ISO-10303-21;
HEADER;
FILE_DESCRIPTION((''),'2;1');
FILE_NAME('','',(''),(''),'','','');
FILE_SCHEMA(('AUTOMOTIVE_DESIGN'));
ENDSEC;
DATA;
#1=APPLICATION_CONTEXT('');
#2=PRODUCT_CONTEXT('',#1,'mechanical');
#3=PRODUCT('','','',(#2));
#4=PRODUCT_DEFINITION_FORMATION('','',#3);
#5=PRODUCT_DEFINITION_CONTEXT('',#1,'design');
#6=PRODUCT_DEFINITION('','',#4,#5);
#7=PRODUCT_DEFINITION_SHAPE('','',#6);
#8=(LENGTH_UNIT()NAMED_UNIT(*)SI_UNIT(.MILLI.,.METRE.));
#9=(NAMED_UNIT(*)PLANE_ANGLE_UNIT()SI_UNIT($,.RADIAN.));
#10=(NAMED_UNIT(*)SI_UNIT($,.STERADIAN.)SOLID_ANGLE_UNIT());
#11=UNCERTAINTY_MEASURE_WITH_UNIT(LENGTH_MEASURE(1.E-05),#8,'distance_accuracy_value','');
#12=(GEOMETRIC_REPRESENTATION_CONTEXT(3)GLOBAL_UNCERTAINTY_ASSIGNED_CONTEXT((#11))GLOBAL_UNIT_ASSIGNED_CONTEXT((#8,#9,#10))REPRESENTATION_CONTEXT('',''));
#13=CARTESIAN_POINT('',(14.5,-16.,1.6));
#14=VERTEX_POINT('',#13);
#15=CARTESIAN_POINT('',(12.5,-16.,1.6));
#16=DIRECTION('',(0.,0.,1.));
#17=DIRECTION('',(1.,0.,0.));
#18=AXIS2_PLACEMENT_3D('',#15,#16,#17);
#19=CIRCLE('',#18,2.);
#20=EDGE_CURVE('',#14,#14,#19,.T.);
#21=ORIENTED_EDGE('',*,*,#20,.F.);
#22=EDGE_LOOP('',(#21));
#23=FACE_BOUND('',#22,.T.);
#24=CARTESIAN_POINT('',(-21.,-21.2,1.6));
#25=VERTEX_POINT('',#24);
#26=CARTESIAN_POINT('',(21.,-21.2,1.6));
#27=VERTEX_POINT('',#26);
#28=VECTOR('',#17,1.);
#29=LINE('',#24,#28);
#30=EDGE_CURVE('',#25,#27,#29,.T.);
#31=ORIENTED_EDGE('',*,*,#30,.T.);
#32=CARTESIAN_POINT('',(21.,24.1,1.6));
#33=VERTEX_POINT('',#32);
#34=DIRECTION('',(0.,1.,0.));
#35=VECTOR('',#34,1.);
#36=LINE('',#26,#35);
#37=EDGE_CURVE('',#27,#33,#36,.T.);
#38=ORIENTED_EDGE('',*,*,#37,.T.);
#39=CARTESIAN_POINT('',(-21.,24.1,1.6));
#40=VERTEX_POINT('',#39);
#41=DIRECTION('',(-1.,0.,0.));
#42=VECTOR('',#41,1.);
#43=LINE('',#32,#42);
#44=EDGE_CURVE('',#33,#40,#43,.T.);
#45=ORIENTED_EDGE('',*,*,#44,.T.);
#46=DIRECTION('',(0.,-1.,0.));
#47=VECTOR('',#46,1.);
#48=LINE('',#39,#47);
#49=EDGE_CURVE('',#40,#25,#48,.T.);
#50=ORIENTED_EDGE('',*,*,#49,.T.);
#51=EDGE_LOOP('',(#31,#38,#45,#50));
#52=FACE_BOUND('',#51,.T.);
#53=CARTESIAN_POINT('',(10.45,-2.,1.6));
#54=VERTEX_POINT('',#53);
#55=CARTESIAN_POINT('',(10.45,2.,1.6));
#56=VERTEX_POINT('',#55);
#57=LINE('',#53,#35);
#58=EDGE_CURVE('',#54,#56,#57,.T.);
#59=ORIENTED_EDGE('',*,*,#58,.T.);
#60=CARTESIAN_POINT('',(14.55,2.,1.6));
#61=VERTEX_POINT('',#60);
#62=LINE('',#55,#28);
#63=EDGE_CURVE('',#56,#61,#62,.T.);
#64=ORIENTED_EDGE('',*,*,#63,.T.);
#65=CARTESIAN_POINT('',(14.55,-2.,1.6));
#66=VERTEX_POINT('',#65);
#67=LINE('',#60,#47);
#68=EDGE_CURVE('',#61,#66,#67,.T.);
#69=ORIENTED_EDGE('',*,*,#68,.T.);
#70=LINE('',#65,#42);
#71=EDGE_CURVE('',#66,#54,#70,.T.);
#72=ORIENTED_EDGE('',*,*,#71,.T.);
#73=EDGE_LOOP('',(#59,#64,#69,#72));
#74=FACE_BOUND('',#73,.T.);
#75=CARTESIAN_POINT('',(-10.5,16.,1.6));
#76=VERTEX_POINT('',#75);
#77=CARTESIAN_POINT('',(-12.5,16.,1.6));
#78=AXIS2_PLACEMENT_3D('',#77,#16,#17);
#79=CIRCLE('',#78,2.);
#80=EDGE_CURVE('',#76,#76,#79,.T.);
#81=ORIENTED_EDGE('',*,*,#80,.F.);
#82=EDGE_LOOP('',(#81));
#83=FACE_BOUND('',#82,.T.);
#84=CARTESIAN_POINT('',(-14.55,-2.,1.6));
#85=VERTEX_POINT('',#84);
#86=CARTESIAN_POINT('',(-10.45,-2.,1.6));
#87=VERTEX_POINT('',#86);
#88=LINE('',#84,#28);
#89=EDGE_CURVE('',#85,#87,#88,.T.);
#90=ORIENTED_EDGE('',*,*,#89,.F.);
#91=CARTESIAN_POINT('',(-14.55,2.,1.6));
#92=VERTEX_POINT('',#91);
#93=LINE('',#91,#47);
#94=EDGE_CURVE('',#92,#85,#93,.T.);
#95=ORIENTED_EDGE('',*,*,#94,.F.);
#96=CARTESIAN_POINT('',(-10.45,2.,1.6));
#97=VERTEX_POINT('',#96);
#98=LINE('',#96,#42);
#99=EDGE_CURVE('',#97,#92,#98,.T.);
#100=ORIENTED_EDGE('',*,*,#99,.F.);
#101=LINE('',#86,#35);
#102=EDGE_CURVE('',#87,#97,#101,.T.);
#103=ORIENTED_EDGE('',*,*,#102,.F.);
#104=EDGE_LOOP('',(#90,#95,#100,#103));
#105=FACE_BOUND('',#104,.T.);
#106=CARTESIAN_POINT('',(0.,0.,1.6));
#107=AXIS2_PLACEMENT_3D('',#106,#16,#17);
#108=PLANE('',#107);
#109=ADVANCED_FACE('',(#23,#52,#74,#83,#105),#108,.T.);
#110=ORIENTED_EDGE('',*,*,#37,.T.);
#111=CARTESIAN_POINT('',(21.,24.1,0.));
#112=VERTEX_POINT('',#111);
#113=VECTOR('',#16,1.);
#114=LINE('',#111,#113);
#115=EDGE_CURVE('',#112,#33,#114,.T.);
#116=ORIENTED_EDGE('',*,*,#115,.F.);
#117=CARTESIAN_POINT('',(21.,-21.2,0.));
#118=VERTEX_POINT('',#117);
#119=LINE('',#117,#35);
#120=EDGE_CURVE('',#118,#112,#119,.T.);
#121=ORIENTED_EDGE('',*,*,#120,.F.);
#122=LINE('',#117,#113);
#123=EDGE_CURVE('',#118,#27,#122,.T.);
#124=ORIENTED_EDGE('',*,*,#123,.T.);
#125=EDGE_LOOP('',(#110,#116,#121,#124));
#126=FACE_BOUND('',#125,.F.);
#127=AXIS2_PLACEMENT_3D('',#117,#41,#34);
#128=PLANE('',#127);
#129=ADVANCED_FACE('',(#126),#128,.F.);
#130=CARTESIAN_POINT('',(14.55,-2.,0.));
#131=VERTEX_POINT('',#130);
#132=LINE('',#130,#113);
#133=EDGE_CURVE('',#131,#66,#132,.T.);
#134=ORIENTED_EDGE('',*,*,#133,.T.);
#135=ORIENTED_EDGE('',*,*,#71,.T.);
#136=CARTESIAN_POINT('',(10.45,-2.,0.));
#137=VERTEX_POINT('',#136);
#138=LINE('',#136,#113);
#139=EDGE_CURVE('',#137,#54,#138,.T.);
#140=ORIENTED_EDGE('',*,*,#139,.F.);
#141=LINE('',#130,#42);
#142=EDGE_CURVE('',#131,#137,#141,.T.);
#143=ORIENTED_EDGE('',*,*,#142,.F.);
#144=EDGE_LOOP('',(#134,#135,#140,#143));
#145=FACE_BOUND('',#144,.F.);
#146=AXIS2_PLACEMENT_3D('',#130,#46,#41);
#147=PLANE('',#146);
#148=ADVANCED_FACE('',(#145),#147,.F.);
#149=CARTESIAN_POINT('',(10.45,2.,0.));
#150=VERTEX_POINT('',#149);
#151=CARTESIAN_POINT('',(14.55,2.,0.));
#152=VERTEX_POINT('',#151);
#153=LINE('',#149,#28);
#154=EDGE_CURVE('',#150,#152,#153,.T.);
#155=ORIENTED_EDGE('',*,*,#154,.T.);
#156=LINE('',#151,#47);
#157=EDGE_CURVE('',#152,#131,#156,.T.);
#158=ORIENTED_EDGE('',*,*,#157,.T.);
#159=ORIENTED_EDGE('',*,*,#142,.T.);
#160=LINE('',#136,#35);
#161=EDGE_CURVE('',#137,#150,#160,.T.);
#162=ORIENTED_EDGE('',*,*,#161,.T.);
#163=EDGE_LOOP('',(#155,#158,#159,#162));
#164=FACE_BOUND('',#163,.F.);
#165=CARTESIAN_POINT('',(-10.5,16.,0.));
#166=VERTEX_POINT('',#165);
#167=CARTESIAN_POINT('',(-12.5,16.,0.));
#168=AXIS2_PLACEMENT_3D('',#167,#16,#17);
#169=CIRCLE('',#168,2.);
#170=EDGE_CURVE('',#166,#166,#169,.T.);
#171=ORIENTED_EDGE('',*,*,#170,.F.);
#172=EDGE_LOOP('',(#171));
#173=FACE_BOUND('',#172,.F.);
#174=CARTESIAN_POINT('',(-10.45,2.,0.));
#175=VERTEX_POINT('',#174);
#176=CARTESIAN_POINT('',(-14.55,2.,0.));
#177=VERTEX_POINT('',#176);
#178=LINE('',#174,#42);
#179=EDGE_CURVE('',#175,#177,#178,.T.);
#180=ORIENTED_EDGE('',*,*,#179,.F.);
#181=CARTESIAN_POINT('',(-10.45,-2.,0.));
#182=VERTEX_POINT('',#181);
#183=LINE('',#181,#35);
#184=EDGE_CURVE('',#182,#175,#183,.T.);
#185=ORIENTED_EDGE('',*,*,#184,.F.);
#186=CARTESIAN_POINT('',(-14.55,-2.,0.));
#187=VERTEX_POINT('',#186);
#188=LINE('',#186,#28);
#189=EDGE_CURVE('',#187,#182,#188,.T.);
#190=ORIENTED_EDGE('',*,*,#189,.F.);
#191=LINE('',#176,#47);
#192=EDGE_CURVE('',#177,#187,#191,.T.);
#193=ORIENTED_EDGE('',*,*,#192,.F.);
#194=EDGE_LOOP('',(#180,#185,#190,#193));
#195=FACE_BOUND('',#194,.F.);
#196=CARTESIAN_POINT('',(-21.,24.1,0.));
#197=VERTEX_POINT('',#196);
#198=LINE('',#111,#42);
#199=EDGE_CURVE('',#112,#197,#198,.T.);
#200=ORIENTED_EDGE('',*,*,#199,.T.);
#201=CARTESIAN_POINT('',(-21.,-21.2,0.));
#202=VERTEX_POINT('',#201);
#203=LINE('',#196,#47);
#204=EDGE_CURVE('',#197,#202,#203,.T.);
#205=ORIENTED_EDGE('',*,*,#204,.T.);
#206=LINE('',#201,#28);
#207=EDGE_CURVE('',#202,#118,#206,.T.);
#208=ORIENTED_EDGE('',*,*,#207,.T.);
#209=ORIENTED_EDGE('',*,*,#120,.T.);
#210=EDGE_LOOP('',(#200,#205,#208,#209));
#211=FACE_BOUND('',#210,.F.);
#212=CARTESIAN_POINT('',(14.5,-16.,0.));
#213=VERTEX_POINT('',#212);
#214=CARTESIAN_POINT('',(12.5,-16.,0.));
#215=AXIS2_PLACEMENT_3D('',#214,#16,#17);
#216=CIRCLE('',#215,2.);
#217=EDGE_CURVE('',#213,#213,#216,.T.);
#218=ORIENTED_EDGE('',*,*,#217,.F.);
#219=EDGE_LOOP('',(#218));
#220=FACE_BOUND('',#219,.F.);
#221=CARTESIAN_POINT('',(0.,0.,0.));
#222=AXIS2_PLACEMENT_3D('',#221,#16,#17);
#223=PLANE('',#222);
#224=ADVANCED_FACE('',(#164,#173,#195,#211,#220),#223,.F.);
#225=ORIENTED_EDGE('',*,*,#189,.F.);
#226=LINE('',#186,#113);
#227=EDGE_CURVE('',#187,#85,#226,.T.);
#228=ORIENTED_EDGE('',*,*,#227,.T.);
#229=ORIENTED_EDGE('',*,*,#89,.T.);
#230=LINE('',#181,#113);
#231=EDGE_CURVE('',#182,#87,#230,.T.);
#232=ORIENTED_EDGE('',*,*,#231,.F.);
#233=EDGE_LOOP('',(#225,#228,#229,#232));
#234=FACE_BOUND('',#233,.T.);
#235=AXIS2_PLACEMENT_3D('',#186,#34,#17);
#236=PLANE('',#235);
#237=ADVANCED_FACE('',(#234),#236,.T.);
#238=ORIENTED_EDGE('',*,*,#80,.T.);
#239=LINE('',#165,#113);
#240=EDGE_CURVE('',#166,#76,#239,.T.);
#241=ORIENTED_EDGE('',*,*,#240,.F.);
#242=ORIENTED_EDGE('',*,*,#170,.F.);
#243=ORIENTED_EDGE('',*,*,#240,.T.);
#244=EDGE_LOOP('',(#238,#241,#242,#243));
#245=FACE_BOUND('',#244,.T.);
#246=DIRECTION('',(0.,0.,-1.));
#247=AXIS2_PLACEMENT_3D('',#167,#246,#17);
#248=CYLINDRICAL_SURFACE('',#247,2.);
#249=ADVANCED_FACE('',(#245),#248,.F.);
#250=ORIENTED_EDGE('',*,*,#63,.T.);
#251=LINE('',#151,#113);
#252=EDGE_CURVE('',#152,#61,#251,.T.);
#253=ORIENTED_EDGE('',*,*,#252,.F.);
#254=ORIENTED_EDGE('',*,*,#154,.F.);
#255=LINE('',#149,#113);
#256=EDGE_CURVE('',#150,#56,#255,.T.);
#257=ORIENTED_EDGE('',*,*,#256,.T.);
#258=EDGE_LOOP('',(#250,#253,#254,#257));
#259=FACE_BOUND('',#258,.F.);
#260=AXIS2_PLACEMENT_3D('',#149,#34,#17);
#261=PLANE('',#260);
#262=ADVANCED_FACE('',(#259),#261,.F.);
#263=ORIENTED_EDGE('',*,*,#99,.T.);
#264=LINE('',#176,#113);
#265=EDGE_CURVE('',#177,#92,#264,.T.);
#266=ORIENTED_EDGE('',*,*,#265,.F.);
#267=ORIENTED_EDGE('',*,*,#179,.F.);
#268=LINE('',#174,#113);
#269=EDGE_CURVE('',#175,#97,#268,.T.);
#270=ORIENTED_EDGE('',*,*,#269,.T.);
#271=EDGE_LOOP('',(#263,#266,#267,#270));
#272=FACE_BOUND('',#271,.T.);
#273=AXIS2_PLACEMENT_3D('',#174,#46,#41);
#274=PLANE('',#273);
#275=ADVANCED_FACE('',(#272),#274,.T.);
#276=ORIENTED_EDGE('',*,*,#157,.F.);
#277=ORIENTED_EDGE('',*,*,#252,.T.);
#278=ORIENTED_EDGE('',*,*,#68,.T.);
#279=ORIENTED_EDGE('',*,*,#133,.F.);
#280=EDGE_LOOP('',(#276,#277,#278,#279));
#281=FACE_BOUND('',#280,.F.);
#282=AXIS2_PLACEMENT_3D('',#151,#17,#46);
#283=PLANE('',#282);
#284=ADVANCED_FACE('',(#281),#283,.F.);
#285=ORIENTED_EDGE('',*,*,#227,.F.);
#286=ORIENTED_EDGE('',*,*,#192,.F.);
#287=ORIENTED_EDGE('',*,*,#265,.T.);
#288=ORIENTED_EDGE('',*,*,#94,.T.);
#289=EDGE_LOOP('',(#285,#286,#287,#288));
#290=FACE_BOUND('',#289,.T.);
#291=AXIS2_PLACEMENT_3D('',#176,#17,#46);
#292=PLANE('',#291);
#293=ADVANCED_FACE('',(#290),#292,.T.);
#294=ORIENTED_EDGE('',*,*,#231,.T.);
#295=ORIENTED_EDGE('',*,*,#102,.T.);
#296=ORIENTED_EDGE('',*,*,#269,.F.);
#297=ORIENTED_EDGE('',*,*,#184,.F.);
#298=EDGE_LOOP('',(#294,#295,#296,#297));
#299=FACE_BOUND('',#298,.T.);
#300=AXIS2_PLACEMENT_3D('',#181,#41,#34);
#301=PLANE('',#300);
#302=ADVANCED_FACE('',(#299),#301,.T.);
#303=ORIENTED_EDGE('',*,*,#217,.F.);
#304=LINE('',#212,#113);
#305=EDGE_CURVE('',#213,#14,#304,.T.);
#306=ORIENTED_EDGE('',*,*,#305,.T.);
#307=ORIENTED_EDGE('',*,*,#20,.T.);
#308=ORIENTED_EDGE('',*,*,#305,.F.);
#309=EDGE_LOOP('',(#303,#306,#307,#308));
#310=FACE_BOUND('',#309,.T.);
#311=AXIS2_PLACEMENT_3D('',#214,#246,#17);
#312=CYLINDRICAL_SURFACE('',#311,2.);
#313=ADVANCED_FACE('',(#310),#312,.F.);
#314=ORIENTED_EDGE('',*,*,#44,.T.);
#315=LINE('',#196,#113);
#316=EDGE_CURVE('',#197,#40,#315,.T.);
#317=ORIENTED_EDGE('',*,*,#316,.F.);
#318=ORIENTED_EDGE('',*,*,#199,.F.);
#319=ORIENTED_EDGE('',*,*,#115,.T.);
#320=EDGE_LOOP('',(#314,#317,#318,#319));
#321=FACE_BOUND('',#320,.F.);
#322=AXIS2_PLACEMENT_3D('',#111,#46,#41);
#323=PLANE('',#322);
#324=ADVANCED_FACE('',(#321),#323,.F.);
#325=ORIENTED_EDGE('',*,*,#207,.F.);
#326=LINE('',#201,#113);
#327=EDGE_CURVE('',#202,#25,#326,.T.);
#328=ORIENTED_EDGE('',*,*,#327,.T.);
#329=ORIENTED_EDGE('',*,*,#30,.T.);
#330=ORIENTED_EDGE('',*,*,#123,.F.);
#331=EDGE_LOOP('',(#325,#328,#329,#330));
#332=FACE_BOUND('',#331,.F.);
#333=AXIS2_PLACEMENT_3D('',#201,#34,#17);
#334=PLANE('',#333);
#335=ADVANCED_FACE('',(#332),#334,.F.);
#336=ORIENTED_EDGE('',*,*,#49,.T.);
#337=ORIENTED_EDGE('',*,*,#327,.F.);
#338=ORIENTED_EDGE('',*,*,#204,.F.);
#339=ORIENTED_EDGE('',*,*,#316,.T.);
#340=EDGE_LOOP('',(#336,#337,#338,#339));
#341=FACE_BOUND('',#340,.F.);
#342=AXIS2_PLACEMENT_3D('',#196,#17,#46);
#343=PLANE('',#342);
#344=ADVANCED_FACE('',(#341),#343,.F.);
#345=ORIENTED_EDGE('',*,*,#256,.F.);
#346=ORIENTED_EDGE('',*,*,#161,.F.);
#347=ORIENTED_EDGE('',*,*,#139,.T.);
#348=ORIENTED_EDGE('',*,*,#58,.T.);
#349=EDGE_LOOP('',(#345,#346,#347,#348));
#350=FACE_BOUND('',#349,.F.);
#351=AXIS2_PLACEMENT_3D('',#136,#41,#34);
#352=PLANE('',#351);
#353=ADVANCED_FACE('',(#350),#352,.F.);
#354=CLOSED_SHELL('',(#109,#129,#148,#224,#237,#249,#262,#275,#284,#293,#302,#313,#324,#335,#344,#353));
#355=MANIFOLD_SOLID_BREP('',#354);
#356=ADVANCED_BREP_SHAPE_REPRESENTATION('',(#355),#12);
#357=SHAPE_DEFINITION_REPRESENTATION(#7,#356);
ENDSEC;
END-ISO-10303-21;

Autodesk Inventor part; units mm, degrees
ref_plane "YZ Plane" through (0, 0, 0) normal (1, 0, 0) x (0, 1, 0)
ref_plane "XZ Plane" through (0, 0, 0) normal (0, 1, 0) x (-1, 0, 0)
ref_plane "XY Plane" through (0, 0, 0) normal (0, 0, 1) x (1, 0, 0)
sketch "Skizze1" plane through (0, 0, 0) normal (0, 0, 1) x (1, 0, 0)
  line L0 (21, 24.1) -> (-21, 24.1)
  line L1 (-21, 24.1) -> (-21, -21.2)
  line L2 (-21, -21.2) -> (21, -21.2)
  line L3 (21, -21.2) -> (21, 24.1)
  line L4 (10.45, 2) -> (14.55, 2)
  line L5 (14.55, 2) -> (14.55, -2)
  line L6 (14.55, -2) -> (10.45, -2)
  line L7 (10.45, -2) -> (10.45, 2)
  circle A0 centre (12.5, -16) radius 2
  circle A1 centre (-12.5, 16) radius 2
  line L8 (-10.45, 2) -> (-14.55, 2)
  line L9 (-14.55, 2) -> (-14.55, -2)
  line L10 (-14.55, -2) -> (-10.45, -2)
  line L11 (-10.45, -2) -> (-10.45, 2)
  line L12 (12.5, 2) -> (12.5, -2) construction
  line L13 (-12.5, 2) -> (-12.5, -2) construction
  line L14 (14.55, 0) -> (-14.55, 0) construction
  line L15 (0, 0) -> (0, 31.6148) construction
  dimension "d1" = 42
  dimension "d3" = 4
  dimension "d4" = 4
  dimension "d5" = 16
  dimension "d6" = 16
  dimension "d7" = 4
  dimension "d8" = 4.1
  dimension "d9" = 21.2
  dimension "d12" = 25
  dimension "d13" = 24.1
extrude "Extrusion1" add sketch "Skizze1" along normal blind 1.6
properties part number "Platine"
